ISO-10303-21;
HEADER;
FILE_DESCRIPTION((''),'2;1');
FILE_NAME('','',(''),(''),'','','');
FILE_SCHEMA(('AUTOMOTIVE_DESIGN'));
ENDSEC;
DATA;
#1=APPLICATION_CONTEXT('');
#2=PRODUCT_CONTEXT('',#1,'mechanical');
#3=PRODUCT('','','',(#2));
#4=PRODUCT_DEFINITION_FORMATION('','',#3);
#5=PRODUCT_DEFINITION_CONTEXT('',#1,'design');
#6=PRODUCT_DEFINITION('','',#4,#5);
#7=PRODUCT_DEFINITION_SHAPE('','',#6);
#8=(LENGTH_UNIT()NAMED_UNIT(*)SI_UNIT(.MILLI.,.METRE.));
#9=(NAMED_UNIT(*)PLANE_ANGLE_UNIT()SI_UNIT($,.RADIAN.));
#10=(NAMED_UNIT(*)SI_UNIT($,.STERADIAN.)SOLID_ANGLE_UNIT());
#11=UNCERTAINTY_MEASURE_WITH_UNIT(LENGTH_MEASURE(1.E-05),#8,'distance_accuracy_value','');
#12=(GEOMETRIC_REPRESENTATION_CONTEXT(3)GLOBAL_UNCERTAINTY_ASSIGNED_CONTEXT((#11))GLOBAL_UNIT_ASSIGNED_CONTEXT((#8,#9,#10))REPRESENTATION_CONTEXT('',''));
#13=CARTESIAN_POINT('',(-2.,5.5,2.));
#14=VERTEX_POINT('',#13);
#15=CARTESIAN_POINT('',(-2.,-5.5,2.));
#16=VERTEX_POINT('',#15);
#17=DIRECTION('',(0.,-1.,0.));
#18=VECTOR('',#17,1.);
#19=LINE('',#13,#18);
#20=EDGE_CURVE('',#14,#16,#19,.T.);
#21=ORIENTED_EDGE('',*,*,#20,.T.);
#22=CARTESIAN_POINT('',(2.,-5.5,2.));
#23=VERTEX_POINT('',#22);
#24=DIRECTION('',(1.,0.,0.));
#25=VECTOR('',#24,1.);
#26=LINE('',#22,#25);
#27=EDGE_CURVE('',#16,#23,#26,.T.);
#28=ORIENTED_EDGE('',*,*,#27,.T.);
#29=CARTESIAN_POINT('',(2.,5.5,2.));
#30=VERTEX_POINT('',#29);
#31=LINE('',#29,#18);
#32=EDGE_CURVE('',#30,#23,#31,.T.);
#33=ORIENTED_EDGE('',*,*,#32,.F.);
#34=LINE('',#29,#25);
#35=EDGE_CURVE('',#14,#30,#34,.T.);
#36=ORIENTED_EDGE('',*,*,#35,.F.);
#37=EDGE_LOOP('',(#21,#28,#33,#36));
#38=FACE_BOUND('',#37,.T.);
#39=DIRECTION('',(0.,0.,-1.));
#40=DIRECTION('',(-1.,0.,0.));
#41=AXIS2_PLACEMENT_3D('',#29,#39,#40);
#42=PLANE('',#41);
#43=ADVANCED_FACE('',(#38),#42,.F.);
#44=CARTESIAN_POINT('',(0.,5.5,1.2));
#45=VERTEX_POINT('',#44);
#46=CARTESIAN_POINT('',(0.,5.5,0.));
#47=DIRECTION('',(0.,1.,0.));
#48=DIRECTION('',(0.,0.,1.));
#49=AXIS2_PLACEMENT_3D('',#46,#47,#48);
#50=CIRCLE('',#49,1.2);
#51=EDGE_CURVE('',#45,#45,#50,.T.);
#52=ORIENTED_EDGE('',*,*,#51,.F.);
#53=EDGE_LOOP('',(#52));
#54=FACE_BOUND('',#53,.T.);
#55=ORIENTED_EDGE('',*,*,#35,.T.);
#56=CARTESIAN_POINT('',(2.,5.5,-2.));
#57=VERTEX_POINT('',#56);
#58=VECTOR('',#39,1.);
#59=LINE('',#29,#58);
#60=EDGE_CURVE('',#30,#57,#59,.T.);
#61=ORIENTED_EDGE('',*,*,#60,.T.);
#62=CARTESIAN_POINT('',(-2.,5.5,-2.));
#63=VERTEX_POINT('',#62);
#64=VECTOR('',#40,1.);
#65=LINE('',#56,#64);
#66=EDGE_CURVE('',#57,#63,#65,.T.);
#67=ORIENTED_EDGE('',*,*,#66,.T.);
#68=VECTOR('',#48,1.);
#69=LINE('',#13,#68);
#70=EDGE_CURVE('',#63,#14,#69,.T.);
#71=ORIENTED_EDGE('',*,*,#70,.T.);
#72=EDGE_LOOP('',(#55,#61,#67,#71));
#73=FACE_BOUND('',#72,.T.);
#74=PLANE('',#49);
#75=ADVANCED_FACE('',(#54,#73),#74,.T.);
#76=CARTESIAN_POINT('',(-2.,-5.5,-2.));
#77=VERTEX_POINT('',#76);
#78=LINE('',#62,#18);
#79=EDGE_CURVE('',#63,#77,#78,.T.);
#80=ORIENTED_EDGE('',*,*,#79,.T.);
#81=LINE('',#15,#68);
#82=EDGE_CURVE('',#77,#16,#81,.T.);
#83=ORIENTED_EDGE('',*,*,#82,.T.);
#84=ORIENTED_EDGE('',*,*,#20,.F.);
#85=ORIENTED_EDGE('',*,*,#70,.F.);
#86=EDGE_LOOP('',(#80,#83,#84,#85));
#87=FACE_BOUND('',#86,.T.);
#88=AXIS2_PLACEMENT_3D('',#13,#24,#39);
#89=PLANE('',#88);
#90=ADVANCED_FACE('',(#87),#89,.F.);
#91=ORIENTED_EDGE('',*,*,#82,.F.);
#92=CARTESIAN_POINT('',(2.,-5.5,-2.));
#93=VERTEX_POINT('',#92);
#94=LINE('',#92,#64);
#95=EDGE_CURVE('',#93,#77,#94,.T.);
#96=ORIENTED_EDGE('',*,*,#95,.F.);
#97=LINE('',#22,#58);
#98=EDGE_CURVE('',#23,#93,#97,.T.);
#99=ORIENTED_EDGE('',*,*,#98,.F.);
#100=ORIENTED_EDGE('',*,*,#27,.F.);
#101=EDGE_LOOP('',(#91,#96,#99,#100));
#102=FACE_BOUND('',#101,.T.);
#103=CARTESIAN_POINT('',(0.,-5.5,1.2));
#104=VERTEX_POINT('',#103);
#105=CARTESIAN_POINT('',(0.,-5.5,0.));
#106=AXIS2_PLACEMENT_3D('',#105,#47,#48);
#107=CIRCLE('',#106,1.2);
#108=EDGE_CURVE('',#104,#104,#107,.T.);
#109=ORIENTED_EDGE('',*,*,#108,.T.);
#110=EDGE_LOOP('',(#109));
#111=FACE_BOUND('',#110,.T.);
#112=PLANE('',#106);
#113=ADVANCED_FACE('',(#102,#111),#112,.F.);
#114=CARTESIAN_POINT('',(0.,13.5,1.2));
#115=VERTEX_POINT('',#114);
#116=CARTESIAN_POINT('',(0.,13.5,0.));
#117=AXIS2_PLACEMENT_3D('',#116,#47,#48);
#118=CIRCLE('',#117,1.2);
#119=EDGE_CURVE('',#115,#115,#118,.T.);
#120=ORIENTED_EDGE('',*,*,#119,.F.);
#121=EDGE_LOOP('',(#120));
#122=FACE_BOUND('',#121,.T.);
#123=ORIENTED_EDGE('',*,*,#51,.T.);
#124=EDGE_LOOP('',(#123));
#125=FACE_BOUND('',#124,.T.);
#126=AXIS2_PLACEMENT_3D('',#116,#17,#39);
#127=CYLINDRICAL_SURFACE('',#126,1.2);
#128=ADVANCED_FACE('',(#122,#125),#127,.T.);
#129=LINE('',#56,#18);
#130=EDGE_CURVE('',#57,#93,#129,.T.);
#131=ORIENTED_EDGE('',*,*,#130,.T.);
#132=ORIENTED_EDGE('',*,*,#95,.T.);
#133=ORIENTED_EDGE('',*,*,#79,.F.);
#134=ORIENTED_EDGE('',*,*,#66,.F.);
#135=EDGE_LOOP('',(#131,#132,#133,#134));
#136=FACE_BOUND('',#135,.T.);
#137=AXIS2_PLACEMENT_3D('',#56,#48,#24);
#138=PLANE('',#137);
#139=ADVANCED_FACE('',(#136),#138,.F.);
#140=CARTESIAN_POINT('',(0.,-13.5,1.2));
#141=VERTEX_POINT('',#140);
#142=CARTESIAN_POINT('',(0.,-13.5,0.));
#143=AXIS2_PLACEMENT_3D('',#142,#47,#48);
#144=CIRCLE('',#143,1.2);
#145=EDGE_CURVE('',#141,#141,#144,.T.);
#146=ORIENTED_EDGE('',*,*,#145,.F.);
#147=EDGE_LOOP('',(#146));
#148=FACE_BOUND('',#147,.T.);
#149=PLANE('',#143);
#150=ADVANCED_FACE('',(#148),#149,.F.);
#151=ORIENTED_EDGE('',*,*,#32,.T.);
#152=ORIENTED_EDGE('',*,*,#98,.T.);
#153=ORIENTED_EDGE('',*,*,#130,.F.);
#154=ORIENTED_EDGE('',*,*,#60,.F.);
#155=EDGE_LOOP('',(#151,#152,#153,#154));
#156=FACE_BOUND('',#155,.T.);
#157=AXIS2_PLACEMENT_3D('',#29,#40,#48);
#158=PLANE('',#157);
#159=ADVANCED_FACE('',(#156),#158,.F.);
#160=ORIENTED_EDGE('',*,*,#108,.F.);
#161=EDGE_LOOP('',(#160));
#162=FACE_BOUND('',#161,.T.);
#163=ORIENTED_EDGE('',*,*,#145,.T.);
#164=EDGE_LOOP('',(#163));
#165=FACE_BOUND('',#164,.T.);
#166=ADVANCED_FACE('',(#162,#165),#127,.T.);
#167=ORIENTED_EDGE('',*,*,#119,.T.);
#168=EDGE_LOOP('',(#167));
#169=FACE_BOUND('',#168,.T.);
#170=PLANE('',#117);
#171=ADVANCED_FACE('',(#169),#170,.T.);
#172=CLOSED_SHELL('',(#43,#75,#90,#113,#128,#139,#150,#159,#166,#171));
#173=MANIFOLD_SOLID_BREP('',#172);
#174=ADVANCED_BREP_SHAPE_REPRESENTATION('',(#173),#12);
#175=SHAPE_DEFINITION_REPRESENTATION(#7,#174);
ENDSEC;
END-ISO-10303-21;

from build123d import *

# Parameters (mm, degrees)
SKETCH1_R           = 1.2
BOSS_EXTRUDE1_DEPTH = 13.5
SKETCH2_W           = 4
SKETCH2_H           = 4
BOSS_EXTRUDE2_DEPTH = 5.5


with BuildPart() as part:
    # Sketch1 → Boss-Extrude1 (new body, symmetric)
    with BuildSketch(Plane(origin=(0, 0, 0), x_dir=(1, 0, 0), z_dir=(0, 1, 0))):
        Circle(SKETCH1_R)
    extrude(amount=BOSS_EXTRUDE1_DEPTH, both=True)

    # Sketch2 → Boss-Extrude2 (add, symmetric)
    with BuildSketch(Plane(origin=(0, 0, 0), x_dir=(1, 0, 0), z_dir=(0, 1, 0))):
        Rectangle(SKETCH2_W, SKETCH2_H)
    extrude(amount=BOSS_EXTRUDE2_DEPTH, both=True)


solid = part.part
